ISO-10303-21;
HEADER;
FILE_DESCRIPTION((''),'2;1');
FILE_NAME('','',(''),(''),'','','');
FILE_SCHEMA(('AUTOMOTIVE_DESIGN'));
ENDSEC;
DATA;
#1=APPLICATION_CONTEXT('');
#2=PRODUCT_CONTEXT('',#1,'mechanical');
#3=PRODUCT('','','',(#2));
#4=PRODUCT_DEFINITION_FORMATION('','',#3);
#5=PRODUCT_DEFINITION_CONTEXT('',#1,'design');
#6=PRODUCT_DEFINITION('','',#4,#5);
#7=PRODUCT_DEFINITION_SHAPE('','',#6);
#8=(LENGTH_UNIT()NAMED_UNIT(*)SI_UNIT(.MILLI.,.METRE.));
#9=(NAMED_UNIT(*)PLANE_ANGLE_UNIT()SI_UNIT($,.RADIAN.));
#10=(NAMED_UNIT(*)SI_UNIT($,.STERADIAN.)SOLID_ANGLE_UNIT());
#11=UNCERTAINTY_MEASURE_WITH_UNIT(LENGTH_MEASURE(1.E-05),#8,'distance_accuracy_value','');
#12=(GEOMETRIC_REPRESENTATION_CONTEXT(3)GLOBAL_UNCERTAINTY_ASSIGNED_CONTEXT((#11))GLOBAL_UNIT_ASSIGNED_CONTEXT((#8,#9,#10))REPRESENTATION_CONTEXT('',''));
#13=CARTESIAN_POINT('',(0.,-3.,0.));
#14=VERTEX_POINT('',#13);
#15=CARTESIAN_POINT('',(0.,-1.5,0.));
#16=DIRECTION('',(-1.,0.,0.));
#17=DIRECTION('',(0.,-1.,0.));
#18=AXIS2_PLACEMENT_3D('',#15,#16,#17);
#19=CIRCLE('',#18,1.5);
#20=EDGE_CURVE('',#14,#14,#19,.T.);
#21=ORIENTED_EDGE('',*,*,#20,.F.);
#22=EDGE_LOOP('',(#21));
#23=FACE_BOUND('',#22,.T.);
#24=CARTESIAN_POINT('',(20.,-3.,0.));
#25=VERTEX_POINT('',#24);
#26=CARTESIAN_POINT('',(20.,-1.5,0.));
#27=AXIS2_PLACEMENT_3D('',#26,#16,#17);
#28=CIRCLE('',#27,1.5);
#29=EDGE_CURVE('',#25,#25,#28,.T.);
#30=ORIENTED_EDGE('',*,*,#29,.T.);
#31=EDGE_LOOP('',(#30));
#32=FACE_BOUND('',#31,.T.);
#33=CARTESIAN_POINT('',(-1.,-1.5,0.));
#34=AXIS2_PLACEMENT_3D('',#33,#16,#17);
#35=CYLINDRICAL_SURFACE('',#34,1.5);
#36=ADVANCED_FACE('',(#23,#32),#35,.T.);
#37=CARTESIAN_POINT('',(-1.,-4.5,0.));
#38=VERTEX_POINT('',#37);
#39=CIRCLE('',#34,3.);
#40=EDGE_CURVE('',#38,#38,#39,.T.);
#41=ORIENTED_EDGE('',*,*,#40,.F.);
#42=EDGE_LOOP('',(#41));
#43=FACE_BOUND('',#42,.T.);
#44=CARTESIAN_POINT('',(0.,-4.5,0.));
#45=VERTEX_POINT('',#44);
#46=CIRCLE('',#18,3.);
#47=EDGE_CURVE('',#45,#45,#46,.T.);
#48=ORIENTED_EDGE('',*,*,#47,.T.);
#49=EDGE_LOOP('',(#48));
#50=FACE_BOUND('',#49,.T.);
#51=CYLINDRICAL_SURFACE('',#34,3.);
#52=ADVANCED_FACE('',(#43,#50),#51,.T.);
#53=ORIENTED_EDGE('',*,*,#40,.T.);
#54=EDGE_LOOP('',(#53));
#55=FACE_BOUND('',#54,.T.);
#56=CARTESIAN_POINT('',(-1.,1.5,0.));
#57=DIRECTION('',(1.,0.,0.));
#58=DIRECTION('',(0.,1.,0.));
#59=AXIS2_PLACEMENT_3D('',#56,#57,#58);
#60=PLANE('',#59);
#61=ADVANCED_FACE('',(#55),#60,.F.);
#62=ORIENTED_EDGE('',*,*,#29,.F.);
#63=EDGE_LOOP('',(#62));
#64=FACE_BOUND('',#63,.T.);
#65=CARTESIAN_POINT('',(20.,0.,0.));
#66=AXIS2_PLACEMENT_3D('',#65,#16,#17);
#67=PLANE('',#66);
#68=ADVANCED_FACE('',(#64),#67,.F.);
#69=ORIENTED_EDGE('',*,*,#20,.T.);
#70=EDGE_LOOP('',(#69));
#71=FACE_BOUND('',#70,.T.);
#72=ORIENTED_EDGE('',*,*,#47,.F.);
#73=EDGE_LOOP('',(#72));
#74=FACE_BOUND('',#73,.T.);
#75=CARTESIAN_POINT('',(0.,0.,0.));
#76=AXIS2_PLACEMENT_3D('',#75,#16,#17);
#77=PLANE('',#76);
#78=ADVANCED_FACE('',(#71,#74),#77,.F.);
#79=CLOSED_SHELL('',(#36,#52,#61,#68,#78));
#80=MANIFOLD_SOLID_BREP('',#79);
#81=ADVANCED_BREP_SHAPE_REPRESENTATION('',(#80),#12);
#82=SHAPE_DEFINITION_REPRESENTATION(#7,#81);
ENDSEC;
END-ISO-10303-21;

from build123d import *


with BuildPart() as part:
    # 草图1 → 旋转1 (revolve)
    with BuildSketch(Plane.XY, mode=Mode.PRIVATE) as revolve_1_sk:
        Polygon((0, 0), (20, 0), (20, -1.5), (-1, -1.5), (-1, 1.5), (0, 1.5), align=None)
    revolve(revolve_1_sk.sketch.rotate(Axis((-1, -1.5, 0), (1, 0, 0)), 180), axis=Axis((-1, -1.5, 0), (1, 0, 0)))


solid = part.part
